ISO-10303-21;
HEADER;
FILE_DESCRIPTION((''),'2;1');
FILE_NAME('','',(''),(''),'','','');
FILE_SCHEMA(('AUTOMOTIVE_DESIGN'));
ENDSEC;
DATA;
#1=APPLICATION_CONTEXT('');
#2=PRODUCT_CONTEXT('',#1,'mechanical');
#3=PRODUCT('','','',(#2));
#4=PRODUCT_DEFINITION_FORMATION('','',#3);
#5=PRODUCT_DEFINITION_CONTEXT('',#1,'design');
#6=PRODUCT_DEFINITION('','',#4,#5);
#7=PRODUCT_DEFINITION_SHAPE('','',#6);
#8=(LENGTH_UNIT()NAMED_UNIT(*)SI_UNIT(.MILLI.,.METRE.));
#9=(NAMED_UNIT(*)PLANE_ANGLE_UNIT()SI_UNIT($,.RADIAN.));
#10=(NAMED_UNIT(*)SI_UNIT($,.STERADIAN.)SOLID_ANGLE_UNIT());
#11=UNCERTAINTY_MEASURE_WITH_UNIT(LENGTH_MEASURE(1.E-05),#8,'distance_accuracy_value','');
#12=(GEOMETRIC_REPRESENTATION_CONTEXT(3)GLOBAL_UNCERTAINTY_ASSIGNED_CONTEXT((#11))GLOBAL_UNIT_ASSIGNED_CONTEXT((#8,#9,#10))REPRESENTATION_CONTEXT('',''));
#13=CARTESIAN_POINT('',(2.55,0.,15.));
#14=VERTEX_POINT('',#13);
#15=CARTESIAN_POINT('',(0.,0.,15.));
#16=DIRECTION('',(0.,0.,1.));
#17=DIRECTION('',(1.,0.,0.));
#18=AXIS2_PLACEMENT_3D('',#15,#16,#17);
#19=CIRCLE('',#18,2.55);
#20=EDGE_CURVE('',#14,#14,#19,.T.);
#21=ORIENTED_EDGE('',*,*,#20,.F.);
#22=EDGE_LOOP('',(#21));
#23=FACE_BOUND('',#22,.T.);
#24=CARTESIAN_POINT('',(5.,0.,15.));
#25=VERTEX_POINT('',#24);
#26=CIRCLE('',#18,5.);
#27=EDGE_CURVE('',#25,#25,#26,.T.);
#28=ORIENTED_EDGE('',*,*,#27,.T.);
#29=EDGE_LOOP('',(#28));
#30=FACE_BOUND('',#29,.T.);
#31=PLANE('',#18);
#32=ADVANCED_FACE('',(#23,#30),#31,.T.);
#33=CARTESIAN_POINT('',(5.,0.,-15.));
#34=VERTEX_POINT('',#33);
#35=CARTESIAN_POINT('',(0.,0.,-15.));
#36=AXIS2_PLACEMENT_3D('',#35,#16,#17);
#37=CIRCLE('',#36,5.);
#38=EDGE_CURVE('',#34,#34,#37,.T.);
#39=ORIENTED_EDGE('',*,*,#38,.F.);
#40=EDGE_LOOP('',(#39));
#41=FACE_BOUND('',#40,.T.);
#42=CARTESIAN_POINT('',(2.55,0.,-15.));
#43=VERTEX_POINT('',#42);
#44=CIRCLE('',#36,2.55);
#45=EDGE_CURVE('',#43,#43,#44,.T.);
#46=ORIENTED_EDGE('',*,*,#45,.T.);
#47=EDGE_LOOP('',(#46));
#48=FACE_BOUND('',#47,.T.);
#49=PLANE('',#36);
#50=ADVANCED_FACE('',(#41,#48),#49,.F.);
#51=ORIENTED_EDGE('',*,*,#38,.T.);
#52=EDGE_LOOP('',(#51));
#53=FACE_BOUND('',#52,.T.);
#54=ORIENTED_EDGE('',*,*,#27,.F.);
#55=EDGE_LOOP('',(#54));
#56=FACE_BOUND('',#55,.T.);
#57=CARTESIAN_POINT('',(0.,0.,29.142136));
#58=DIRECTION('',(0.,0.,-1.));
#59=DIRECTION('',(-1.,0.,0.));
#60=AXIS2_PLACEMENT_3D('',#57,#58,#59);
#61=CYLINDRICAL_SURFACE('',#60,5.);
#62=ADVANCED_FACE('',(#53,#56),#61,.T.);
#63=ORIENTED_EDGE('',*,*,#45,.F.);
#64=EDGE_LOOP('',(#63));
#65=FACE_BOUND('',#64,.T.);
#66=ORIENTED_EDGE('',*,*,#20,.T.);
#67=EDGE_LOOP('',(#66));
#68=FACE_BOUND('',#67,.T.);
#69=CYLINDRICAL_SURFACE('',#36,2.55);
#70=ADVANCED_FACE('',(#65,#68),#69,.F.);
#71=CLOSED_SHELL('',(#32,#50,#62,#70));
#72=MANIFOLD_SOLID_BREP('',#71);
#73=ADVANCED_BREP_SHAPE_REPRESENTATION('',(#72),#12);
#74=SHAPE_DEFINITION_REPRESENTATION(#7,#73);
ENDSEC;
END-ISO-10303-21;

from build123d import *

# Parameters (mm, degrees)
MAINBODY_EXTRUDE_START  = -15
PROJECTIONXY_SKETCH_R   = 5
MAINBODY_EXTRUDE_DEPTH  = 30
CUT_EXTRUDE1_DEPTH      = 17.583123952
CUT_EXTRUDE1_DEPTH_BACK = 17.583123952
BORE_SKETCH_R           = 2.55


with BuildPart() as part:
    # projectionXy_sketch → mainBody_extrude (new body)
    with BuildSketch(Plane.XY.offset(MAINBODY_EXTRUDE_START)):
        Circle(PROJECTIONXY_SKETCH_R)
    extrude(amount=MAINBODY_EXTRUDE_DEPTH)

    # bore_sketch → Cut-Extrude1 (cut, two sides: drawn at the far end of the back side and taken through both)
    with BuildSketch(Plane.XY.offset(-CUT_EXTRUDE1_DEPTH_BACK)):
        Circle(BORE_SKETCH_R)
    extrude(amount=CUT_EXTRUDE1_DEPTH + CUT_EXTRUDE1_DEPTH_BACK, mode=Mode.SUBTRACT)


solid = part.part
